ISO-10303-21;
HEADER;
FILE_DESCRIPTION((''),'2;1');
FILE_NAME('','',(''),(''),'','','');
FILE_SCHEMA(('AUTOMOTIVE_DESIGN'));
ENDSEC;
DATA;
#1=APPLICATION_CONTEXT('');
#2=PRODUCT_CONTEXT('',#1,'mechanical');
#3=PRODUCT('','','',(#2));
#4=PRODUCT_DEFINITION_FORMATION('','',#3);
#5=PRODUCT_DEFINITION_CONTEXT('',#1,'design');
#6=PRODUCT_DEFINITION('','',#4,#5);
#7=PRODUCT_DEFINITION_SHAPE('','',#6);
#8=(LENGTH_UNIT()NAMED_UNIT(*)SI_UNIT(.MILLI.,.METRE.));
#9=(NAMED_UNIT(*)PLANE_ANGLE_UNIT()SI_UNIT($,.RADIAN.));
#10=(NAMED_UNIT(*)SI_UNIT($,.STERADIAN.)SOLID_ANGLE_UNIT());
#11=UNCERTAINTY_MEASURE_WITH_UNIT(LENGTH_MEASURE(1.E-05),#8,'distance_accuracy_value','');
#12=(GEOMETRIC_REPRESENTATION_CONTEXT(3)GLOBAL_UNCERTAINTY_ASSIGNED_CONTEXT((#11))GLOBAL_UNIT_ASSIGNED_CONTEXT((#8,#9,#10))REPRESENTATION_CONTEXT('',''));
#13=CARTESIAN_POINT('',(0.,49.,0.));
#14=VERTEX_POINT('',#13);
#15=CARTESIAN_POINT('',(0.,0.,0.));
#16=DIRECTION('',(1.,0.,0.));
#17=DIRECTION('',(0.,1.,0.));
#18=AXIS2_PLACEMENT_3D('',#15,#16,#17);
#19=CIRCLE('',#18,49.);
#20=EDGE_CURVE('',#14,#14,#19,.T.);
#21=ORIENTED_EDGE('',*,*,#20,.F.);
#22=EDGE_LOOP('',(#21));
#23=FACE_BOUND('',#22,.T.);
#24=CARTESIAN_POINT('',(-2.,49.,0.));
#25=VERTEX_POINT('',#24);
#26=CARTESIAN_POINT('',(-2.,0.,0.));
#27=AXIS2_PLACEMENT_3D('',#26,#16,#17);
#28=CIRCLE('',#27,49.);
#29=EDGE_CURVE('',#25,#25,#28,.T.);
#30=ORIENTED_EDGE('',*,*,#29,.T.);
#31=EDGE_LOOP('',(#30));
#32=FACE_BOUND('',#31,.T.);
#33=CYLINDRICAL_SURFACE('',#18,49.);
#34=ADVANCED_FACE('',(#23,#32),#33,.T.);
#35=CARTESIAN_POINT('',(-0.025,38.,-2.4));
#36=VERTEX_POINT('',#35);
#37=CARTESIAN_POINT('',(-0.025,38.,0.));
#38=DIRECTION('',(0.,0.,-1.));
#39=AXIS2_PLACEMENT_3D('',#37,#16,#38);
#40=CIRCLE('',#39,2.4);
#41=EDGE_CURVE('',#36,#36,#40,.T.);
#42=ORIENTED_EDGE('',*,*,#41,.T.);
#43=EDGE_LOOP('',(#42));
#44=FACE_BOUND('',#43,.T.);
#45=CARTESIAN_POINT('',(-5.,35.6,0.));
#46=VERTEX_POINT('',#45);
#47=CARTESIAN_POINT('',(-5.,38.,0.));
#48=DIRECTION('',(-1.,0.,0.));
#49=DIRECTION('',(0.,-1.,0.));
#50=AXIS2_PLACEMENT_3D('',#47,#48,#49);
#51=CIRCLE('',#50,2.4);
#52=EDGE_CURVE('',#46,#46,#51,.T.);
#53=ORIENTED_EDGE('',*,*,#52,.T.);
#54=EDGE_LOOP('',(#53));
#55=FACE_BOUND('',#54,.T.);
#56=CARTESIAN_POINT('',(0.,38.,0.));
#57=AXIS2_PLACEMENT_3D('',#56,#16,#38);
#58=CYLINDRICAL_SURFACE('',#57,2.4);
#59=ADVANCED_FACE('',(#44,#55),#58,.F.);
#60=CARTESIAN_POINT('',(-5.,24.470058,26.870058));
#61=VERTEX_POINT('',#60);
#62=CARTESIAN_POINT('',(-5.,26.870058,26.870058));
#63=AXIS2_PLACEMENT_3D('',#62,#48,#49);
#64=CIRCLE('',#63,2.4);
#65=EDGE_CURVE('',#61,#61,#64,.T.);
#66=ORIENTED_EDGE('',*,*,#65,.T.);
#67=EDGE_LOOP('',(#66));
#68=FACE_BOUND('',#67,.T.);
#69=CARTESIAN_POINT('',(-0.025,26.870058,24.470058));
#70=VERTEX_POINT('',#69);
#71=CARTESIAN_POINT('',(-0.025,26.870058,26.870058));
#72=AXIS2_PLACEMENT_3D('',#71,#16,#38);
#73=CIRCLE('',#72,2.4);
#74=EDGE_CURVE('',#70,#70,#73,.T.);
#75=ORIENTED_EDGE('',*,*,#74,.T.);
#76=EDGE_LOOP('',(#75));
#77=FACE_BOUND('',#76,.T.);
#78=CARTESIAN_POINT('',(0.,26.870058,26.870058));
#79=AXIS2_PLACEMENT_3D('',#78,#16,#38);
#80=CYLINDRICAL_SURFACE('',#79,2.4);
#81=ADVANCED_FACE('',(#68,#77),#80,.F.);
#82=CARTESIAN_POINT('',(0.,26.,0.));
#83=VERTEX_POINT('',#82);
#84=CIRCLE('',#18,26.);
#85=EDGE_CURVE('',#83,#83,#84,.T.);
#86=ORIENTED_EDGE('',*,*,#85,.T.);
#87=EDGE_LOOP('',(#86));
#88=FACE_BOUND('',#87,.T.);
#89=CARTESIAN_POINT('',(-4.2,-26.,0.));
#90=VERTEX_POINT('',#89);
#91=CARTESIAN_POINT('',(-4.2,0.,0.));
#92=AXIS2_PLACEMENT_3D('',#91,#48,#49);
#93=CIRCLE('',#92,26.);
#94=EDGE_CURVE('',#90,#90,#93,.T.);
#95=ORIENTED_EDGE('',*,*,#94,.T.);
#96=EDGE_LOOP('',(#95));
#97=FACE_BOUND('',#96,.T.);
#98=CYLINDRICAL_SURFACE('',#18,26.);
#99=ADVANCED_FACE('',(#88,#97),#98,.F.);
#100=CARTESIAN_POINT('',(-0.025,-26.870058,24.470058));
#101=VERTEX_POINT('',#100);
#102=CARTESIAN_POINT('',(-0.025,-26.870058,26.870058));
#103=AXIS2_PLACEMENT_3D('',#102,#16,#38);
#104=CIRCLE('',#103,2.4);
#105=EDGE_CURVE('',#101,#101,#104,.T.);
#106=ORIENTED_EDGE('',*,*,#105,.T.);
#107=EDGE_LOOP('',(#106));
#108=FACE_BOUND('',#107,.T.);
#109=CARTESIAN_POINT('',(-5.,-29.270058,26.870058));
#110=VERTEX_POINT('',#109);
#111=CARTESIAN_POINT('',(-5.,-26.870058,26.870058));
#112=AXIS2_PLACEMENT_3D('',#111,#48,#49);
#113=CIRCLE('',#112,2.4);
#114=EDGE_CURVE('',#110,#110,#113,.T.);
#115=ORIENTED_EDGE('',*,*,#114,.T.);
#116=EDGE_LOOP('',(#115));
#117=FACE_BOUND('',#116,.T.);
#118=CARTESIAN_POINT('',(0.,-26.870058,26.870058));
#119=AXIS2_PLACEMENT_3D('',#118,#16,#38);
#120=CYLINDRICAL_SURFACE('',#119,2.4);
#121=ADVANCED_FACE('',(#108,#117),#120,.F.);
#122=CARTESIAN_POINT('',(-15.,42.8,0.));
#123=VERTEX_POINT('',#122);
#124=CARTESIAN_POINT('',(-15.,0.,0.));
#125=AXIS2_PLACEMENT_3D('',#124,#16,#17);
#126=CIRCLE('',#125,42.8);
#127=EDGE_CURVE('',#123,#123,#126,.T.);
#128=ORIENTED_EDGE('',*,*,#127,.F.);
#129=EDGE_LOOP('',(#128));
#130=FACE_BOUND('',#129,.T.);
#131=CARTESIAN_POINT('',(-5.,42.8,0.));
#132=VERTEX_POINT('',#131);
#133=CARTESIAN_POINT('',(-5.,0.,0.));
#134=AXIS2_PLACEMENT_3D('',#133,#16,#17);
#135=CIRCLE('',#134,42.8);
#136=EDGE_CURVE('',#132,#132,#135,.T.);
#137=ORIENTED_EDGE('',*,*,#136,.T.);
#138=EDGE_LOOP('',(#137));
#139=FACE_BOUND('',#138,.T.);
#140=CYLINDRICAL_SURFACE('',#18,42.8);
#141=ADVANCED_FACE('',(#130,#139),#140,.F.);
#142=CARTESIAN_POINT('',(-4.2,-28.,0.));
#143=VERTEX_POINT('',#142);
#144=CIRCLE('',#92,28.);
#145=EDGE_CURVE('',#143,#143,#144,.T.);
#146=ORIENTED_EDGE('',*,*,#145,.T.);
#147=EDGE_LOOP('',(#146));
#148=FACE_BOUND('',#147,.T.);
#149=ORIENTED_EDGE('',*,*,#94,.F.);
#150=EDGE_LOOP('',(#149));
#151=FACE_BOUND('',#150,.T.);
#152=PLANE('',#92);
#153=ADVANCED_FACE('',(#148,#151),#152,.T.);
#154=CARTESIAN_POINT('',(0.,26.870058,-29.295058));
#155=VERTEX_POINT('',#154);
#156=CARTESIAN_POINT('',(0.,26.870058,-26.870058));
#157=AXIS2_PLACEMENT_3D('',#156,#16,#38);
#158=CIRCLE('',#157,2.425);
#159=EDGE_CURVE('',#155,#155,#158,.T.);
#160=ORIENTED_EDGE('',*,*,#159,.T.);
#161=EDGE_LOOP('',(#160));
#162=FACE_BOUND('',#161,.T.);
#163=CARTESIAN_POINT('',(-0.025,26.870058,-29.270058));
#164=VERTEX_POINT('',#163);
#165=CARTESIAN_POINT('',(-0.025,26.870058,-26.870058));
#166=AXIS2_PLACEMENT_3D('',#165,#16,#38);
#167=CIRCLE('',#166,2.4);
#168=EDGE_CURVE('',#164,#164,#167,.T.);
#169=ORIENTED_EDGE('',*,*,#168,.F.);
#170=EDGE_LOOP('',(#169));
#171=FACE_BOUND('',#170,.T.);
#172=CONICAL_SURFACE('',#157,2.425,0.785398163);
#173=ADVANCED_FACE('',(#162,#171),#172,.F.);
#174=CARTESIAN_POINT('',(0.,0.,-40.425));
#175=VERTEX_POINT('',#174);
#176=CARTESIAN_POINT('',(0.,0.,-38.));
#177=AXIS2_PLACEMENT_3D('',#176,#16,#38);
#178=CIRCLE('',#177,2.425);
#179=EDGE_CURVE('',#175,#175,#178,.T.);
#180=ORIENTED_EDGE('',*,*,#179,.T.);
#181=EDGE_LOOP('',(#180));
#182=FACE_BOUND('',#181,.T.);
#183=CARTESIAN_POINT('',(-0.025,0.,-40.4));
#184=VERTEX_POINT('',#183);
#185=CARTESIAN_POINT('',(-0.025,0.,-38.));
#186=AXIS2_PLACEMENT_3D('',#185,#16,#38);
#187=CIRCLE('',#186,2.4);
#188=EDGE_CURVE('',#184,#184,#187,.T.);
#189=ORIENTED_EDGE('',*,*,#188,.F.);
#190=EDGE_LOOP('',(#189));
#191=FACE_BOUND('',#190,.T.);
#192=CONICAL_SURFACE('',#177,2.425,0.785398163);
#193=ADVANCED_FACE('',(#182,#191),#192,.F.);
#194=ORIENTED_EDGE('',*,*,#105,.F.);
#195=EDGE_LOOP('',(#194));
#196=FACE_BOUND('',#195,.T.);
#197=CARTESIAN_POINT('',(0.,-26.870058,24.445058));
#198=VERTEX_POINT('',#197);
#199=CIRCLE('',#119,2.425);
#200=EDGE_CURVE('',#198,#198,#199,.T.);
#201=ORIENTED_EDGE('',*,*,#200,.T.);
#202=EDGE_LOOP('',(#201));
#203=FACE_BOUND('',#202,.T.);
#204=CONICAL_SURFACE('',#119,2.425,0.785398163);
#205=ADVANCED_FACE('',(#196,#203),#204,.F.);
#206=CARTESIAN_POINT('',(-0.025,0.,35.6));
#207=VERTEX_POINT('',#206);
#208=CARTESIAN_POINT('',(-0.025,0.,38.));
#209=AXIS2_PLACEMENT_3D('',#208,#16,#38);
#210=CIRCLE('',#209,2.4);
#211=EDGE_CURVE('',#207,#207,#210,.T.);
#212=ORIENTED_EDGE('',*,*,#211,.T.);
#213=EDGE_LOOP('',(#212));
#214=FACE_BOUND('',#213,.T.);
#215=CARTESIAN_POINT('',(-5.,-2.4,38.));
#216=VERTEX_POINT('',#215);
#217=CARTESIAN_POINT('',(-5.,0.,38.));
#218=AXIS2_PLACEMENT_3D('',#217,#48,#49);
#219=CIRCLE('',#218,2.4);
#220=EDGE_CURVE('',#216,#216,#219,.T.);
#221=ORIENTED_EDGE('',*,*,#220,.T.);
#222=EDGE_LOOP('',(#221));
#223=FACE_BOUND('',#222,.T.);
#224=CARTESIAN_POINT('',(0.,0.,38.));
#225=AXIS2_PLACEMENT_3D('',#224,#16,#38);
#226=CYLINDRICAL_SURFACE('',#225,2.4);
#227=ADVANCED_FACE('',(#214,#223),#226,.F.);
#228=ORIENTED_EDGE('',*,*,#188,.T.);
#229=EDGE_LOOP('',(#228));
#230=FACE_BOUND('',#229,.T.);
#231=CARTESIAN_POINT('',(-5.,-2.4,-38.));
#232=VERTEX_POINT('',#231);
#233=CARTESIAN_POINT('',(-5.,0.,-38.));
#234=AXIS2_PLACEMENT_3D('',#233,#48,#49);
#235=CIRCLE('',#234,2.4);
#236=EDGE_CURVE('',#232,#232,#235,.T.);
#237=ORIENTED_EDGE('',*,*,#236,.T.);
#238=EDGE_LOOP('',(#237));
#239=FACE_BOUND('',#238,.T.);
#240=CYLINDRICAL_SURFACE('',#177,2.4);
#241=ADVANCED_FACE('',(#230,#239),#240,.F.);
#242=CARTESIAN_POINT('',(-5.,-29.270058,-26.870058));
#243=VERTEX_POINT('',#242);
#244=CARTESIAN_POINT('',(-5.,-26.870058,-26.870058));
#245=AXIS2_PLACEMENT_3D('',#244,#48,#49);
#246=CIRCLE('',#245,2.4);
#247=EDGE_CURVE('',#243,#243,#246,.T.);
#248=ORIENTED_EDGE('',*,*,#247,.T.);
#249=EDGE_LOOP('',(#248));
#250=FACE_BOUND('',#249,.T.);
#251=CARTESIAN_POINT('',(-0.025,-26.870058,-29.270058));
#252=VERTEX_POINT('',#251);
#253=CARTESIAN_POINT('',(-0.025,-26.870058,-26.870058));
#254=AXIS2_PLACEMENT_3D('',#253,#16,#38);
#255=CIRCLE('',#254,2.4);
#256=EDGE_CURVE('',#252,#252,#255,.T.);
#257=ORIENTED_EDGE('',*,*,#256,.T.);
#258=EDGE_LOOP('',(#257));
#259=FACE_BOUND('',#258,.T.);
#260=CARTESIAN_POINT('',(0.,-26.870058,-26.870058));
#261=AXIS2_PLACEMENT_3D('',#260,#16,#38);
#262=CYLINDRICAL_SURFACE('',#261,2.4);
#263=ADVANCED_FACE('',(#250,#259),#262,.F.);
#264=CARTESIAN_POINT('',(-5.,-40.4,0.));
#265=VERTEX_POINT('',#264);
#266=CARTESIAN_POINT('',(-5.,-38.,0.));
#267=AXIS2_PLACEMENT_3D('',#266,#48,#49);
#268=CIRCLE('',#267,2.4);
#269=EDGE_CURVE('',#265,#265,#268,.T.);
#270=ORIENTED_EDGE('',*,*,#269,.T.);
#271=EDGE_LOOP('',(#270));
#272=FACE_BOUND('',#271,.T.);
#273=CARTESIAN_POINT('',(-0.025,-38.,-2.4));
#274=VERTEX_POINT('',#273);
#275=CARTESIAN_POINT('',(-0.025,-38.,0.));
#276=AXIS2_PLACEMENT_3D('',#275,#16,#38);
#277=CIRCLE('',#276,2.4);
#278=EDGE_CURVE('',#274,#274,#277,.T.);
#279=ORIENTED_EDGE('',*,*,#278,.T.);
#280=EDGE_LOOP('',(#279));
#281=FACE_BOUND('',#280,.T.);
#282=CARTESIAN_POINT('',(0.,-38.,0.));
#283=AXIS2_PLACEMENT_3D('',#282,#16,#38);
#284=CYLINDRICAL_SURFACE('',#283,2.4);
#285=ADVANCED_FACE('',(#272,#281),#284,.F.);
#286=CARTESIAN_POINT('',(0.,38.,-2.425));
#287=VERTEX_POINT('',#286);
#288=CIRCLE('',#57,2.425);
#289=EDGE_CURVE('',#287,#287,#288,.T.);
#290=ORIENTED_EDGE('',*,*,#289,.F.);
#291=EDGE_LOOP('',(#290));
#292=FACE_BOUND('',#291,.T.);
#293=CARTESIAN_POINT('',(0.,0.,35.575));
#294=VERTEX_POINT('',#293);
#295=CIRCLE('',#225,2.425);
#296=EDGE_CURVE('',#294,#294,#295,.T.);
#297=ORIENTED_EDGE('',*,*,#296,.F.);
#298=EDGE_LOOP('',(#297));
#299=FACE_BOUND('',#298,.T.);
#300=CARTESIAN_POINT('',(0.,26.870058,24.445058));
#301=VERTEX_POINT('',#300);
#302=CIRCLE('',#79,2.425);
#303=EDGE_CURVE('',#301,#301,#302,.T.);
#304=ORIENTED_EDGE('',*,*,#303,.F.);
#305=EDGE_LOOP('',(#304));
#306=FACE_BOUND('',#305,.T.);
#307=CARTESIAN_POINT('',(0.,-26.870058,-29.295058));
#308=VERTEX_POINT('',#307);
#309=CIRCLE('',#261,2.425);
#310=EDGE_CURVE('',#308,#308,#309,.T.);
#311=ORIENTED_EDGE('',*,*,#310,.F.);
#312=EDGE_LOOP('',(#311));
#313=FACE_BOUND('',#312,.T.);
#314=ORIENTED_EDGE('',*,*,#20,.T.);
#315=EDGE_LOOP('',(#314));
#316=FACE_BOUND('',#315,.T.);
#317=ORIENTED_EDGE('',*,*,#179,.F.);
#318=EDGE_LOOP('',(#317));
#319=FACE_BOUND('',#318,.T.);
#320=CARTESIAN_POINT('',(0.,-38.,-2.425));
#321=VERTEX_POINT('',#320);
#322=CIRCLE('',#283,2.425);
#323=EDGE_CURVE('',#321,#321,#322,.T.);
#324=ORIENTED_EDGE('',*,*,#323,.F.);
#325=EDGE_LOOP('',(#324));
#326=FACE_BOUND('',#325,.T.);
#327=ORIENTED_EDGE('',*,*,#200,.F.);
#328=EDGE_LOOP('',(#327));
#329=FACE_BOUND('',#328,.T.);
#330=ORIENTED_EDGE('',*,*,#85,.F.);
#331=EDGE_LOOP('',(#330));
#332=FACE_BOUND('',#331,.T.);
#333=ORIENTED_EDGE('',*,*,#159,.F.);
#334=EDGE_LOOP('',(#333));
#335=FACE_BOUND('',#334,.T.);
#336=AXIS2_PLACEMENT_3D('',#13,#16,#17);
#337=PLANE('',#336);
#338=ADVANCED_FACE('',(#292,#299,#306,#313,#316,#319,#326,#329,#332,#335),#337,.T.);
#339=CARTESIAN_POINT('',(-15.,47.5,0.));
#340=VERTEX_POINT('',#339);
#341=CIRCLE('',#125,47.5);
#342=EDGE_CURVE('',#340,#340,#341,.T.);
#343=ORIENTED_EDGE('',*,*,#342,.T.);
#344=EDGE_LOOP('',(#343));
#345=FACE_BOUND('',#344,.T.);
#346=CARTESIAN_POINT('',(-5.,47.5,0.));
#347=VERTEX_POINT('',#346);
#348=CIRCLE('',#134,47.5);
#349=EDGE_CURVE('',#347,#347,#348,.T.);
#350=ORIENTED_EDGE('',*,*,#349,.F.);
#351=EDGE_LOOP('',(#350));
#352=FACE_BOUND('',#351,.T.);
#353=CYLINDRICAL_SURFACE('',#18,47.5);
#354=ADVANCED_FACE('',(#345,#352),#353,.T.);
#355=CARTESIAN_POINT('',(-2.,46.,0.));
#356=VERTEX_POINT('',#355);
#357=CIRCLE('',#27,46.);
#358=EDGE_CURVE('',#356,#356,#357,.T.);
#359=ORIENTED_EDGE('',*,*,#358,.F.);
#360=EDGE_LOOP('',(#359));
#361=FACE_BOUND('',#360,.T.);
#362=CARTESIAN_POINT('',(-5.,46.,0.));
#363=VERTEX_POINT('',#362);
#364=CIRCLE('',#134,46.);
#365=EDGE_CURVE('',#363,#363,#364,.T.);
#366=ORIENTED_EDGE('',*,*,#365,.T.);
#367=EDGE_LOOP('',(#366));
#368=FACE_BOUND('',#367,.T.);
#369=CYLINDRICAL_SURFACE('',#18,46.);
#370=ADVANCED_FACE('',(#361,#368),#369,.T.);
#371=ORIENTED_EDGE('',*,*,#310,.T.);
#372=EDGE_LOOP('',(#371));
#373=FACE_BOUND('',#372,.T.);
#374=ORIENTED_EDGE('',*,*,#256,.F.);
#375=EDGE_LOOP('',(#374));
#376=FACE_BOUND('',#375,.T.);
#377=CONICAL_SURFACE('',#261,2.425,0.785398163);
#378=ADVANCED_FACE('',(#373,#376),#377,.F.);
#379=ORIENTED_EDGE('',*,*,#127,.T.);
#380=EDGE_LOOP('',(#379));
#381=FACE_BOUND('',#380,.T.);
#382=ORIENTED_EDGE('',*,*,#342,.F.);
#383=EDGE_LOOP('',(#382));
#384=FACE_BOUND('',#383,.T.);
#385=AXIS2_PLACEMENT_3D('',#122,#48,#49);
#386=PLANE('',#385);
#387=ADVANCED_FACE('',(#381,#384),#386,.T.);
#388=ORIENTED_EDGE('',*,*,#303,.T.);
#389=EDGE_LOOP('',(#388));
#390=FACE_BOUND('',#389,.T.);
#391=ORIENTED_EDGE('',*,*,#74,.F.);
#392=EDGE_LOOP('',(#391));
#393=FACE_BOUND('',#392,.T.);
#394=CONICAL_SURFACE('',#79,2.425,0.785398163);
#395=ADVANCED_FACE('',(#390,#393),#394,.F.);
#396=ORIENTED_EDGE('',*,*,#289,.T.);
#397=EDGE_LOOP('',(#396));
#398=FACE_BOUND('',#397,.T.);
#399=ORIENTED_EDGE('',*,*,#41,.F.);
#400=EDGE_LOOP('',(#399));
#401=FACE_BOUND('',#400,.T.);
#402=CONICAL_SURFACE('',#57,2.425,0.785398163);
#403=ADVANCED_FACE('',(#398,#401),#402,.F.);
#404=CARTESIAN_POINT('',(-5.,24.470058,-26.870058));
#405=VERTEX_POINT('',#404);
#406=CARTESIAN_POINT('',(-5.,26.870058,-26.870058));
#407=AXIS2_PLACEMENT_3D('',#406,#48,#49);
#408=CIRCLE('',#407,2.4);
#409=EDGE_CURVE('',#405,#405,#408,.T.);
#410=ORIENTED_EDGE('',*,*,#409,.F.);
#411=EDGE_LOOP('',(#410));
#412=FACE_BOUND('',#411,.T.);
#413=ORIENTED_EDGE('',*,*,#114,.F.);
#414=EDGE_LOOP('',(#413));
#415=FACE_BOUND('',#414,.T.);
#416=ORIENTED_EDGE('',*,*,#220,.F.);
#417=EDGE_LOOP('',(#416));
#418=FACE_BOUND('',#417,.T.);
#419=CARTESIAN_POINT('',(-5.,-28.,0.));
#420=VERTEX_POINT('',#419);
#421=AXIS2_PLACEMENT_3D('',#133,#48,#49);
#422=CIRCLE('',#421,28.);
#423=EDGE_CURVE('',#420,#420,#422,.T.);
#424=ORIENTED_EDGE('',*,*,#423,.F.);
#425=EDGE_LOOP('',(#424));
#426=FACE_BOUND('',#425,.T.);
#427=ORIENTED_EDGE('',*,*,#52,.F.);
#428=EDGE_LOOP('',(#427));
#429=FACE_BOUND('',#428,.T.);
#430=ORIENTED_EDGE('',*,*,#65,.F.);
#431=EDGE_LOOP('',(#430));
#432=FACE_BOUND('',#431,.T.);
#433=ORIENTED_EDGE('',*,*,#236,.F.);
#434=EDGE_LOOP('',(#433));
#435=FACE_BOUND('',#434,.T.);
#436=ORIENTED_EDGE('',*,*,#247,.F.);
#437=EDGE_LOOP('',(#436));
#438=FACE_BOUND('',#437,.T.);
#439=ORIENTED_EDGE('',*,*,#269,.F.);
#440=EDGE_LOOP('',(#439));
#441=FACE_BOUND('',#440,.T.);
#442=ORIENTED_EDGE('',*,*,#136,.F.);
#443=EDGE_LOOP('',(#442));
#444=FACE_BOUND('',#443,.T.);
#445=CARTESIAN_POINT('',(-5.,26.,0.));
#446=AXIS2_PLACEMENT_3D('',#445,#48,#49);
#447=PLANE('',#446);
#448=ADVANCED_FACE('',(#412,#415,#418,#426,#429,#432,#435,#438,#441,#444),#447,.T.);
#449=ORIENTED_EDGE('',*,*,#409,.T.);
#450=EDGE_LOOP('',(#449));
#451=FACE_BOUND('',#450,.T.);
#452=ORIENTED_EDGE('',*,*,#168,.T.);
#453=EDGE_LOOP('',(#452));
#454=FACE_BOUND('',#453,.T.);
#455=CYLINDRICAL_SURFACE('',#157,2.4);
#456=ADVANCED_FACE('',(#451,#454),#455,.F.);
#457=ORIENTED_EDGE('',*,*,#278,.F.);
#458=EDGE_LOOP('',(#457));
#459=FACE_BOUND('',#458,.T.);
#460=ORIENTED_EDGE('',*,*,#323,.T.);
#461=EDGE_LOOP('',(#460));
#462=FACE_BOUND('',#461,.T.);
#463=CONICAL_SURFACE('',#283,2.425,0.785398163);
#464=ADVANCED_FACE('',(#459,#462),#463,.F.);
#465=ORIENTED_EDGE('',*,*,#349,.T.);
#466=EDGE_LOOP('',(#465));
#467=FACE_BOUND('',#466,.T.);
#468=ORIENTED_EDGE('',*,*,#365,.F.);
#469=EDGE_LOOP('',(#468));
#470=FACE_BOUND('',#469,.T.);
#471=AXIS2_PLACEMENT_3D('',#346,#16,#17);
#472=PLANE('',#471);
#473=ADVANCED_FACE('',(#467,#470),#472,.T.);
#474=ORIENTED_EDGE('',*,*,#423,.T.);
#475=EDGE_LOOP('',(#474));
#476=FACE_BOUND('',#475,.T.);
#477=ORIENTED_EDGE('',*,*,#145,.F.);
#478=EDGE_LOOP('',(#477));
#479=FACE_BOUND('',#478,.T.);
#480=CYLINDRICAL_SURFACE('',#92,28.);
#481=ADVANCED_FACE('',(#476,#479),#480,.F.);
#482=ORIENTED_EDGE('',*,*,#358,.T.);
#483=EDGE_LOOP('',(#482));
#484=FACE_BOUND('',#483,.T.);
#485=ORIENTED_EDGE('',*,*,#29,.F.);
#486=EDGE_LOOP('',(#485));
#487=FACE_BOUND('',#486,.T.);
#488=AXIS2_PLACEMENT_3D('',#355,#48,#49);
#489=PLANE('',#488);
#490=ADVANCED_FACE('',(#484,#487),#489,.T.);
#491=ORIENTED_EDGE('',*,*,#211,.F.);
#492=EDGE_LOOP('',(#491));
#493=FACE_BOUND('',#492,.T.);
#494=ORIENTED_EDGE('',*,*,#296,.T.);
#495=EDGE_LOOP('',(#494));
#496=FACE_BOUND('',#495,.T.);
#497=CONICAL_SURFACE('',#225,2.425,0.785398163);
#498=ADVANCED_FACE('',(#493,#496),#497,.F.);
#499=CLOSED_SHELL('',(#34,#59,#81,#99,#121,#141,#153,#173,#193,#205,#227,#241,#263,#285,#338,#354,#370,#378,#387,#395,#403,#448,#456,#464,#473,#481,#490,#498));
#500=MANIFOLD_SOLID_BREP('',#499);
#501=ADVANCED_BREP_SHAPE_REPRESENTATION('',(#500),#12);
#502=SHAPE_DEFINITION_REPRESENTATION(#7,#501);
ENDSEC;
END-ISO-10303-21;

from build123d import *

# Parameters (mm, degrees)
CIRPATTERN1_COUNT  = 8
SKETCH4_R          = 28
CUT_EXTRUDE1_DEPTH = 0.8


with BuildPart() as part:
    # Sketch1 → Revolve1 (revolve)
    with BuildSketch(Plane.XY):
        Polygon((-15, 47.5), (-5, 47.5), (-5, 46), (-2, 46), (-2, 49), (0, 49), (0, 26), (-5, 26), (-5, 42.8), (-15, 42.8), align=None)
    revolve(axis=Axis((0, 0, 0), (-1, 0, 0)))

    # Sketch3 → M4 Clearance Hole1 (revolve, cut)
    with BuildSketch(Plane(origin=(0, 0, 38), x_dir=(0, 0, -1), z_dir=(0, 1, 0))):
        Polygon((0, 0), (0, 22.442065486), (2.4, 21), (2.4, 0.025), (2.425, 0), align=None)
    m4_clearance_hole1 = revolve(axis=Axis((6.35, 0, 38), (-1, 0, 0)), mode=Mode.SUBTRACT)

    # CirPattern1: M4 Clearance Hole1 ×8 about axis
    cirpattern1_axis = Axis((0, 0, 0), (1, 0, 0))
    for i in range(1, CIRPATTERN1_COUNT):
        add(m4_clearance_hole1.rotate(cirpattern1_axis, i * 360 / CIRPATTERN1_COUNT), mode=Mode.SUBTRACT)

    # Sketch4 → Cut-Extrude1 (cut)
    with BuildSketch(Plane.ZY.offset(5)):
        Circle(SKETCH4_R)
    extrude(amount=-CUT_EXTRUDE1_DEPTH, mode=Mode.SUBTRACT)


solid = part.part
